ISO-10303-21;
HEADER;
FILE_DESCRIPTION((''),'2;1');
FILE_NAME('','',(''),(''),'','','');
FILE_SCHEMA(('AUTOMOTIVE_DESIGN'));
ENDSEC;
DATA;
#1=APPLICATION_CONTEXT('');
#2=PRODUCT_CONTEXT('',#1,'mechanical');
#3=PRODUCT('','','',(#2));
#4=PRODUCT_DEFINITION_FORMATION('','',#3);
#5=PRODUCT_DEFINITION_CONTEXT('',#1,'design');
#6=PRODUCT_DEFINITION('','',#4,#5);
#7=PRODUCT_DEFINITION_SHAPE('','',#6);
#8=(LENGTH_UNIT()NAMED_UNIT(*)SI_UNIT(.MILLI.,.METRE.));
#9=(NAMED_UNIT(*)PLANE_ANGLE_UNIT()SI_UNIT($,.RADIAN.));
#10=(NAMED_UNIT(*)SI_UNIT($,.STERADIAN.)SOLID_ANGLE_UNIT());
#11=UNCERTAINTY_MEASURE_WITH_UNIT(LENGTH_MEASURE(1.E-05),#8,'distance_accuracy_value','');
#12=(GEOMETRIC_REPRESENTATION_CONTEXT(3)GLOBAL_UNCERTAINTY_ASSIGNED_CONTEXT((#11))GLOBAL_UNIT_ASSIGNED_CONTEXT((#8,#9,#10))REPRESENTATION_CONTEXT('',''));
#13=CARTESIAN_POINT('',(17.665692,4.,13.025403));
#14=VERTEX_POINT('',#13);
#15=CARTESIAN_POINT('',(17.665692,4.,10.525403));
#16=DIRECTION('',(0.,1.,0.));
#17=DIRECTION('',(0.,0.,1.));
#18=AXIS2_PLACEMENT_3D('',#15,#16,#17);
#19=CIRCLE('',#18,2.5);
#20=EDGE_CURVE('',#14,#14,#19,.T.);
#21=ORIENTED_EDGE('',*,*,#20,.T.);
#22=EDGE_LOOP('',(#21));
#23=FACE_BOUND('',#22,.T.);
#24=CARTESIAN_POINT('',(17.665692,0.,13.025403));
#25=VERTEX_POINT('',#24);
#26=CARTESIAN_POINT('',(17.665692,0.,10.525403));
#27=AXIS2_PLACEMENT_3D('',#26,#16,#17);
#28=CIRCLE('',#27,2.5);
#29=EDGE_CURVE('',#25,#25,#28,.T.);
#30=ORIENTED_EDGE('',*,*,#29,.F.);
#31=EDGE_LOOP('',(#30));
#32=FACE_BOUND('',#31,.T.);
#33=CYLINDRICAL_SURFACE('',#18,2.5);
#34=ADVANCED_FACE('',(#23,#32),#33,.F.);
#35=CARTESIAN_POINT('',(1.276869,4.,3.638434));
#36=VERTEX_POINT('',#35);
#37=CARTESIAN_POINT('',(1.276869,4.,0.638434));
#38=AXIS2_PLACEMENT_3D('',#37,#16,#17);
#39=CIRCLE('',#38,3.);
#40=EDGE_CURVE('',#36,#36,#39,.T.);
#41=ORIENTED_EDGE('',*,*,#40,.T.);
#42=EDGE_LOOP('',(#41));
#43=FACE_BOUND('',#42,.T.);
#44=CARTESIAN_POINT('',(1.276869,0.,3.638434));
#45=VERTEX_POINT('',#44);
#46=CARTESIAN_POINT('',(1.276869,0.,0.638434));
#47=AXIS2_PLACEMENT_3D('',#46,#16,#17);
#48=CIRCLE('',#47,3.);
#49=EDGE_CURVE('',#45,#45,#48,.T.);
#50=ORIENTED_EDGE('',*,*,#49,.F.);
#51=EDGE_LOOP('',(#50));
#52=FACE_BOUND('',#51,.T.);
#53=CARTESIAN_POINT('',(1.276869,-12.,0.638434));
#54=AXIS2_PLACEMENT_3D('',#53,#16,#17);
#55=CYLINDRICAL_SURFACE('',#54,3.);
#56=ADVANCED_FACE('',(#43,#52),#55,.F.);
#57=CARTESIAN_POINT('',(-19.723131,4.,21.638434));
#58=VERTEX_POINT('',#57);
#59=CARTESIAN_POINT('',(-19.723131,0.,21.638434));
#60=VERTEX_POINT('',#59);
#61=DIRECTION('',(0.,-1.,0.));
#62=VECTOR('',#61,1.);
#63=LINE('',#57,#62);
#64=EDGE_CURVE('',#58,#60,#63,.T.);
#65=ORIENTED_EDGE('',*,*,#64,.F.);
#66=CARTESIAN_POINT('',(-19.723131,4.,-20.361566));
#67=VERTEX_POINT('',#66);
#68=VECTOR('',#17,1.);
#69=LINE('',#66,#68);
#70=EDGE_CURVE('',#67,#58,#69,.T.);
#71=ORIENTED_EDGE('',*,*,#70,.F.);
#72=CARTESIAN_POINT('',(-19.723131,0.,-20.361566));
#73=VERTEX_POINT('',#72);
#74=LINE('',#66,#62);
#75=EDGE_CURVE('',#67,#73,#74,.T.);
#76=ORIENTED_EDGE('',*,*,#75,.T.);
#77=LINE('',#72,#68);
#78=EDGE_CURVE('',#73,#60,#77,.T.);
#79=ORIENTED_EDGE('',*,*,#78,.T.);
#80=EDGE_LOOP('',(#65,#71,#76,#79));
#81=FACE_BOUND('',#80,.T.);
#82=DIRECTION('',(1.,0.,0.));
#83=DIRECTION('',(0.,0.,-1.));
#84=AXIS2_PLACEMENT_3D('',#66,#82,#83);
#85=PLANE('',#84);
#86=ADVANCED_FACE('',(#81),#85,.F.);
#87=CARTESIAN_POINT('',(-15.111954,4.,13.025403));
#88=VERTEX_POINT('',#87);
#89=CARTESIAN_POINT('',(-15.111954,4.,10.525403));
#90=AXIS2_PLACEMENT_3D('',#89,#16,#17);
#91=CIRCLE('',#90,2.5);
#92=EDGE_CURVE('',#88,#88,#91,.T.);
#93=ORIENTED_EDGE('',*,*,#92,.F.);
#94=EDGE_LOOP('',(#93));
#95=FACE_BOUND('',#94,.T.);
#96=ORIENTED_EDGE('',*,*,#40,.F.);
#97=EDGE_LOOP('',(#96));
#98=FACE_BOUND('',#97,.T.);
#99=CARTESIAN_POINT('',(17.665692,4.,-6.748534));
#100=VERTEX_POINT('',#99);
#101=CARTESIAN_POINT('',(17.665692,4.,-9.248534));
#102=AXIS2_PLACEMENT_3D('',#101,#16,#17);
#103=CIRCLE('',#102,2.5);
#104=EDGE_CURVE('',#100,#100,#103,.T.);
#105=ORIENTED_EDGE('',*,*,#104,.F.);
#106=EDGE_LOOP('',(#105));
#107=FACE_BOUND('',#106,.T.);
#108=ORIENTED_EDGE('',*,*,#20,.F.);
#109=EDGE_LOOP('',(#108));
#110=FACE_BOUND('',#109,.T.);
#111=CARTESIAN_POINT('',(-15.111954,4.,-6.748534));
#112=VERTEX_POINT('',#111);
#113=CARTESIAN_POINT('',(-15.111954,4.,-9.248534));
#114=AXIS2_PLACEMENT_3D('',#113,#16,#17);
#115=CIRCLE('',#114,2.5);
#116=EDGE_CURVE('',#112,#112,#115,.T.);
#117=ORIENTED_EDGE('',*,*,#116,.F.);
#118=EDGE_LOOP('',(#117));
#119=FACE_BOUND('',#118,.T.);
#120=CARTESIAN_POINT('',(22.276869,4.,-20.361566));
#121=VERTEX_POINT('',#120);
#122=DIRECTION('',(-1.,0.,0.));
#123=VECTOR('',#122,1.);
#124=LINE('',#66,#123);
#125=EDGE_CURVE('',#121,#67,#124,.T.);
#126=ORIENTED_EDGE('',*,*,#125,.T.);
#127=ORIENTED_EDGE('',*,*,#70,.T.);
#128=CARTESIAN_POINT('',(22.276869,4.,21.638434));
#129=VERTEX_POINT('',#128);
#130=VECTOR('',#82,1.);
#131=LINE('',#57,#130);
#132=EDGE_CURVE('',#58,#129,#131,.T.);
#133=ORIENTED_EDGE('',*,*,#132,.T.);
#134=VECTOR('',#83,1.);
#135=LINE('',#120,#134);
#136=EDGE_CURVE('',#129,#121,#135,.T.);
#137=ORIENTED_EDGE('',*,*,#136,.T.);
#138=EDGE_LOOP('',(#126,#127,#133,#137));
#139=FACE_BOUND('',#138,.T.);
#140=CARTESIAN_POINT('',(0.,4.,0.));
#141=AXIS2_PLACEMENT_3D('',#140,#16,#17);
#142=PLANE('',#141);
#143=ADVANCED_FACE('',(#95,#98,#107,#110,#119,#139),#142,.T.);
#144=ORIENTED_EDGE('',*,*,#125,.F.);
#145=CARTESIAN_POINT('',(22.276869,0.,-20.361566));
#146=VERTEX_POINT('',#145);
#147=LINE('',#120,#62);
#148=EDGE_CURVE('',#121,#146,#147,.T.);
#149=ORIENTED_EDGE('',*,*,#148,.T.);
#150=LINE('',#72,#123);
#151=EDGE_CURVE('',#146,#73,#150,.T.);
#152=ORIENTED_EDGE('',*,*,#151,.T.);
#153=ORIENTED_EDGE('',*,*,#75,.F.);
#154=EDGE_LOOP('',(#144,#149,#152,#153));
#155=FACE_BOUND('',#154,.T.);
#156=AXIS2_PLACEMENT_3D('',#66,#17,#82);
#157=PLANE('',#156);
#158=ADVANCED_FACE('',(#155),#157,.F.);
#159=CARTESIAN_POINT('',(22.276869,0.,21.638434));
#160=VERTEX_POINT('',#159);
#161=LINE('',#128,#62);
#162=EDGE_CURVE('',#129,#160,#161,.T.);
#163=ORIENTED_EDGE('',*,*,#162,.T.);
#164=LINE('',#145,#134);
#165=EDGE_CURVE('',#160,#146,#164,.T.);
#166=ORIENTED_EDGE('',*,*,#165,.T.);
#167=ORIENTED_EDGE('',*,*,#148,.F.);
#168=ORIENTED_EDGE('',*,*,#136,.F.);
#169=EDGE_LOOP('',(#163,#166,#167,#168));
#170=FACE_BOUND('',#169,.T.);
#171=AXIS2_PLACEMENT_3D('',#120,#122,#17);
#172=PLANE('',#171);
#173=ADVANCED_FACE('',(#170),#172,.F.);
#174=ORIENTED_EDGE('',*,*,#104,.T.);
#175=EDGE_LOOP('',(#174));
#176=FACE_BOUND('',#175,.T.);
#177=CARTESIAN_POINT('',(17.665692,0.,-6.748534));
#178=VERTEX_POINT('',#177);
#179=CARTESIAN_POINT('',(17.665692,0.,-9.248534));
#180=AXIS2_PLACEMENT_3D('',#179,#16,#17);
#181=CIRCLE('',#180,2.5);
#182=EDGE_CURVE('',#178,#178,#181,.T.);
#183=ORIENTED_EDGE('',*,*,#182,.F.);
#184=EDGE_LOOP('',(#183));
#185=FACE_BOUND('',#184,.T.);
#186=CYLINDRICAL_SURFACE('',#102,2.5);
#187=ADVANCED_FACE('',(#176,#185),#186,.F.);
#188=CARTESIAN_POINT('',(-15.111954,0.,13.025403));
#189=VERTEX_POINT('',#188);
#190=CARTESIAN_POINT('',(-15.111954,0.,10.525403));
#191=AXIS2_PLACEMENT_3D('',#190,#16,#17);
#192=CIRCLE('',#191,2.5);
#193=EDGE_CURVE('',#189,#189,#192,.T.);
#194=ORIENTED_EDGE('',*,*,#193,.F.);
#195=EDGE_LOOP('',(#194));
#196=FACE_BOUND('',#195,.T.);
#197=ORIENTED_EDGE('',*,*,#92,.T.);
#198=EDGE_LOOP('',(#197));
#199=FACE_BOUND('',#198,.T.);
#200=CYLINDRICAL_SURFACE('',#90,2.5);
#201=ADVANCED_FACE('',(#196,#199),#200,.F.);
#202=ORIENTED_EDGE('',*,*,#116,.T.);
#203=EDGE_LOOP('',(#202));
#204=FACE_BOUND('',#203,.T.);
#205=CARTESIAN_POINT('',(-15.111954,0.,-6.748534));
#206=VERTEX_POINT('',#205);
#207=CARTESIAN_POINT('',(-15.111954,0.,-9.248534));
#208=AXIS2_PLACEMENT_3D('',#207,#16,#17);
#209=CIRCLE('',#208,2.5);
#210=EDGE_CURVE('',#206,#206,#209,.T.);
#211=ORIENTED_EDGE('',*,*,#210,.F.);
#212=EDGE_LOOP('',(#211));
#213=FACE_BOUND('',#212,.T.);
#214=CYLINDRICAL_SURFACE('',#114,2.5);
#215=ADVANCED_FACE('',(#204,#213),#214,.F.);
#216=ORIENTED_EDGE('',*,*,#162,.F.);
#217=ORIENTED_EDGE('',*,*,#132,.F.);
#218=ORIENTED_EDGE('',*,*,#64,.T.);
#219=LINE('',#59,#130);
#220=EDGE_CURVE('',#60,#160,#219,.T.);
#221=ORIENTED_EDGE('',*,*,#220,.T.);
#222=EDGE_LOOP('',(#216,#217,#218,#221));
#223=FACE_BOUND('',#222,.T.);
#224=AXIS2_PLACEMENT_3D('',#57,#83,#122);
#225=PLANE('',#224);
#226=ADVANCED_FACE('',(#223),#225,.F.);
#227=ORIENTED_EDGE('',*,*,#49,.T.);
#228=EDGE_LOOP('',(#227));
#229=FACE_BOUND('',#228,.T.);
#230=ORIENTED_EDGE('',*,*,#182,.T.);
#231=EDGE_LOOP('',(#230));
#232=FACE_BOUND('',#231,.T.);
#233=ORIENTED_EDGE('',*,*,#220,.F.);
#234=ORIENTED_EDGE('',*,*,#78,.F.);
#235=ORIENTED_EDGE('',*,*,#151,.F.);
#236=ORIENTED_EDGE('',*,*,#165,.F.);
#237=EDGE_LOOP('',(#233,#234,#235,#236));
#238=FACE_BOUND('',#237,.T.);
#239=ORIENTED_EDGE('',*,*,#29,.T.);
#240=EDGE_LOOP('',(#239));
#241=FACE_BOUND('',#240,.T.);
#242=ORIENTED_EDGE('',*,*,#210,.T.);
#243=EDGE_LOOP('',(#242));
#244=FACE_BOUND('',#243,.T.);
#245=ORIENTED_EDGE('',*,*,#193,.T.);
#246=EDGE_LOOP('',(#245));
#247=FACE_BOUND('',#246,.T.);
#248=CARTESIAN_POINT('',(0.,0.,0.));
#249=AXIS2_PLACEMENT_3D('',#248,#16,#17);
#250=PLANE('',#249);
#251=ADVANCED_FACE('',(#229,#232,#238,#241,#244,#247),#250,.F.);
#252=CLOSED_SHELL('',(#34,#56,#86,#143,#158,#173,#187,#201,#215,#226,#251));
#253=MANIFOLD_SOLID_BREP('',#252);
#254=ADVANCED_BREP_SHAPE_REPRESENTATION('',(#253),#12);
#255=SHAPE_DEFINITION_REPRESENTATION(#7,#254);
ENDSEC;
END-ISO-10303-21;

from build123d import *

# Parameters (mm, degrees)
SKETCH1_W                 = 42
SKETCH1_H                 = 42
BOSS_EXTRUDE1_DEPTH       = 4
SKETCH2_R                 = 3
CUT_EXTRUDE1_DEPTH        = 16
F_5_0MM_DOWEL_HOLE1_D     = 5
F_5_0MM_DOWEL_HOLE1_DEPTH = 25
F_5_0MM_DOWEL_HOLE1_TIP   = 1.502151548


with BuildPart() as part:
    # Sketch1 → Boss-Extrude1 (new body)
    with BuildSketch(Plane(origin=(0, 0, 0), x_dir=(1, 0, 0), z_dir=(0, 1, 0))):
        with Locations((1.276868931, -0.638434466)):
            Rectangle(SKETCH1_W, SKETCH1_H)
    extrude(amount=BOSS_EXTRUDE1_DEPTH)

    # Sketch2 → Cut-Extrude1 (cut)
    with BuildSketch(Plane(origin=(0, 4, 0), x_dir=(1, 0, 0), z_dir=(0, 1, 0))):
        with Locations(Location((1.276868931, -0.638434466, 0), (0, 0, 270))):
            Circle(SKETCH2_R)
    extrude(amount=-CUT_EXTRUDE1_DEPTH, mode=Mode.SUBTRACT)

    # Ø5.0mm Dowel Hole1
    with Locations(Plane(origin=(0, 4, 0), x_dir=(1, 0, 0), z_dir=(0, 1, 0))):
        with Locations((-15.111953931, -10.525403014), (-15.111953931, 9.248534083), (17.665691793, 9.248534083), (17.665691793, -10.525403014)):
            Hole(F_5_0MM_DOWEL_HOLE1_D / 2, depth=F_5_0MM_DOWEL_HOLE1_DEPTH)
            with Locations((0, 0, -(F_5_0MM_DOWEL_HOLE1_DEPTH + F_5_0MM_DOWEL_HOLE1_TIP / 2))):  # 118° drill point
                Cone(0, F_5_0MM_DOWEL_HOLE1_D / 2, F_5_0MM_DOWEL_HOLE1_TIP, mode=Mode.SUBTRACT)


solid = part.part
